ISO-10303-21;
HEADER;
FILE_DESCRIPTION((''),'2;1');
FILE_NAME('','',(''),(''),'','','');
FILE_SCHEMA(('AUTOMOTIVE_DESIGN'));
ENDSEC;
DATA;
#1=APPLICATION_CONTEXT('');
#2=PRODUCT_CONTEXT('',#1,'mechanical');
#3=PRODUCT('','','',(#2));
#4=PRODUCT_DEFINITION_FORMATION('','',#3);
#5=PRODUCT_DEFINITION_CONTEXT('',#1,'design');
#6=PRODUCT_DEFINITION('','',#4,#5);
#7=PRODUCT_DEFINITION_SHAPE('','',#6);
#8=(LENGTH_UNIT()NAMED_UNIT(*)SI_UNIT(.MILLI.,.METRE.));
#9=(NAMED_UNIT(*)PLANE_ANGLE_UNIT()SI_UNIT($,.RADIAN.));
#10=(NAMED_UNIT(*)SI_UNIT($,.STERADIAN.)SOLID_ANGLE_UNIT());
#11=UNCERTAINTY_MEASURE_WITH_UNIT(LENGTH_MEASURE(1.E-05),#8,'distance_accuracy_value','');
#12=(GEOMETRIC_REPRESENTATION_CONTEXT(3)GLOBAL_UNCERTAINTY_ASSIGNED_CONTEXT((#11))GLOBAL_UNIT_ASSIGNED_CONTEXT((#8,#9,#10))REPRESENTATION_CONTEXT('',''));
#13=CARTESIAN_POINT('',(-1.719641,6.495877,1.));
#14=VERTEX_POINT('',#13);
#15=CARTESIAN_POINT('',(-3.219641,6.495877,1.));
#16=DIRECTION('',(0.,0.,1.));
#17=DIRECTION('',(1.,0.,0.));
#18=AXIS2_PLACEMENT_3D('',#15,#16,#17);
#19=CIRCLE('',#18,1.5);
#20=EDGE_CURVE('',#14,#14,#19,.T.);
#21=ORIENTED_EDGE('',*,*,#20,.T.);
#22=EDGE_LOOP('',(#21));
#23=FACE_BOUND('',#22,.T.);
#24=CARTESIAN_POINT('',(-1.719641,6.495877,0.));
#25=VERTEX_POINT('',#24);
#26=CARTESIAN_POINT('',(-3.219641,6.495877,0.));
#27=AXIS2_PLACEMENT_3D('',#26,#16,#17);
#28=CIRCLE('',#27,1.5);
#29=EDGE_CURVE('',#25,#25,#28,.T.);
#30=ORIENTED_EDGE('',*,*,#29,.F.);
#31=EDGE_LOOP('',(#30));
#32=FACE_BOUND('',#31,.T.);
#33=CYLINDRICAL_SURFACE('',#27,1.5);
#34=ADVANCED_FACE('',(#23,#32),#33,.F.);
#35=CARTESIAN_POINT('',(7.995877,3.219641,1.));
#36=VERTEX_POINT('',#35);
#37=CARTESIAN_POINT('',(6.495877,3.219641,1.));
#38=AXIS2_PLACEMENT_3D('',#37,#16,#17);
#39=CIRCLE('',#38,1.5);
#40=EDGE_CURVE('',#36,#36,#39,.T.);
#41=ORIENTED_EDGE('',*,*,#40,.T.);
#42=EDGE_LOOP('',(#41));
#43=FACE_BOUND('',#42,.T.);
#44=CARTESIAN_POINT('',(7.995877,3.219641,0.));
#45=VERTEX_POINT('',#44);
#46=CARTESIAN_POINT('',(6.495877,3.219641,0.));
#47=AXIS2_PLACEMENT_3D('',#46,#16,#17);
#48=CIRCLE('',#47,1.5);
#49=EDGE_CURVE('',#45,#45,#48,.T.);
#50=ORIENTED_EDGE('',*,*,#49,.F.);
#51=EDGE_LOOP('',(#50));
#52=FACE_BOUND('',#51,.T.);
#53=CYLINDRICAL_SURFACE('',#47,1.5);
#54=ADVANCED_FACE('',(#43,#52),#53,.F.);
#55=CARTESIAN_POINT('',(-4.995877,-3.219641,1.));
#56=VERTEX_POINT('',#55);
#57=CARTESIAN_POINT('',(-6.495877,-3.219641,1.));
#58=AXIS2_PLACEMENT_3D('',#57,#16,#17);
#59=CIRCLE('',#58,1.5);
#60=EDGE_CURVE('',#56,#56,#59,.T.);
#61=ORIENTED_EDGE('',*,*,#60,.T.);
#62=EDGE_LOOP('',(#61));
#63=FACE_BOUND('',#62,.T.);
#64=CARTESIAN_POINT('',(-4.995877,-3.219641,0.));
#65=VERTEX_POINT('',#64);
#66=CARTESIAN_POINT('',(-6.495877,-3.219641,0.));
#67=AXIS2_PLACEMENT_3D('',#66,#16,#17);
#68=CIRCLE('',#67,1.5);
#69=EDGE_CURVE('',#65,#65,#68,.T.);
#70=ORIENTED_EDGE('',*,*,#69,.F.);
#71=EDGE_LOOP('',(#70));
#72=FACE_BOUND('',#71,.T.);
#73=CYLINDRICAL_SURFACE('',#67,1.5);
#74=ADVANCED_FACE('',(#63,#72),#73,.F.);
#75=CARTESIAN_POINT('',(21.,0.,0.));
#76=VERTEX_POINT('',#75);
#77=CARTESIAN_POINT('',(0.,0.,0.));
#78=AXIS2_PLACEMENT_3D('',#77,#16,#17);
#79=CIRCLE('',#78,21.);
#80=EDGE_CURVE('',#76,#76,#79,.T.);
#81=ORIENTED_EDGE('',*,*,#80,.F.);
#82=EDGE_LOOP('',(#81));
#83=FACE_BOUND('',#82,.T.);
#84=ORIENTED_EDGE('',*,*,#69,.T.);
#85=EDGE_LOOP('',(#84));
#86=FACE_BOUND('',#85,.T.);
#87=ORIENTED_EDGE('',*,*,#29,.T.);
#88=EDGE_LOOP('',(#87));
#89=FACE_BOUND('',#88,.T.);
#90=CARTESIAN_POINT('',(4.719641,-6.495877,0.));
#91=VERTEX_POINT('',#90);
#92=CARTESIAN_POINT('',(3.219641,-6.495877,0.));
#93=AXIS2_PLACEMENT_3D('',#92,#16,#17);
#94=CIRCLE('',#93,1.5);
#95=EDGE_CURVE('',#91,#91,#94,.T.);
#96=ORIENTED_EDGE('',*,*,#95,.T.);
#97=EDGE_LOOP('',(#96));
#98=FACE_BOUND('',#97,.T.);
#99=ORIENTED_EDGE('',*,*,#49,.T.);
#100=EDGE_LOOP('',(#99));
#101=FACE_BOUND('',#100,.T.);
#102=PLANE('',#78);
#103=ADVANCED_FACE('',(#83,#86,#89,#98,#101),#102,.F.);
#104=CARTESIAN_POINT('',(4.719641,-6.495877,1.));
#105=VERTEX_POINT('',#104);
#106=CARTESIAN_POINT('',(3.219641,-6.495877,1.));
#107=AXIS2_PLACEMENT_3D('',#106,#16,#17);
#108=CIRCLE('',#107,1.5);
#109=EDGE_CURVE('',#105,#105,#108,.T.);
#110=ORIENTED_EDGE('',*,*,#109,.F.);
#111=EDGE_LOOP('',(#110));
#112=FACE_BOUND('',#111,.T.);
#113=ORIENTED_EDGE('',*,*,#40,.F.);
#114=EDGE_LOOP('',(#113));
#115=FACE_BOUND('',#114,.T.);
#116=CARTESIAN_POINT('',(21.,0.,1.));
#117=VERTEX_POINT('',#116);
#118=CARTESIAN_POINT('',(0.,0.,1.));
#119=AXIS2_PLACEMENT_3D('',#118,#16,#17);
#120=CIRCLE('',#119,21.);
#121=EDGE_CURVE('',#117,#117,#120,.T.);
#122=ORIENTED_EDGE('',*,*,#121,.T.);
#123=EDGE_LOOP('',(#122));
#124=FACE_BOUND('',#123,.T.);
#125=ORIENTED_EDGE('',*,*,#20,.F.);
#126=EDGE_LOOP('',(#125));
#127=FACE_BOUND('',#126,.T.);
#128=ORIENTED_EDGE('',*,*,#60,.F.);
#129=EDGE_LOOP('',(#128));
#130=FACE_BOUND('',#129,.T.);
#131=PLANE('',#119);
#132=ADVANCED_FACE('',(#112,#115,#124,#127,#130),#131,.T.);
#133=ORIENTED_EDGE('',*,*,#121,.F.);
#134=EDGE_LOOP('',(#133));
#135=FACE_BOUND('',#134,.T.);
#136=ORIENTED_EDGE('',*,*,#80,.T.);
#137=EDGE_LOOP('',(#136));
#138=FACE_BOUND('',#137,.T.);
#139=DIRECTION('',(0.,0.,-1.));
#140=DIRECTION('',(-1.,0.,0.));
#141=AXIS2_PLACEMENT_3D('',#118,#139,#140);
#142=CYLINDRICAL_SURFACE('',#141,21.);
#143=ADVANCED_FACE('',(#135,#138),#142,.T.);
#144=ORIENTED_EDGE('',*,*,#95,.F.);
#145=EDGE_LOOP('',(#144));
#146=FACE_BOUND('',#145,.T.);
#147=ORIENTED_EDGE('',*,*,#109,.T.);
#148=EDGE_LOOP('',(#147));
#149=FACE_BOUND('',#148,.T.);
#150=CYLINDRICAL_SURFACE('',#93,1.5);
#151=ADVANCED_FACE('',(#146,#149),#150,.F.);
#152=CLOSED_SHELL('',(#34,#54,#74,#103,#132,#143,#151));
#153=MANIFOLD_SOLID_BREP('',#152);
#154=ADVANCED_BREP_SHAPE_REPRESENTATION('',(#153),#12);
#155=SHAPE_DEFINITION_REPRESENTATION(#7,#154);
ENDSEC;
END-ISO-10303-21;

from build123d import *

# Parameters (mm, degrees)
SKETCH1_R           = 21
BOSS_EXTRUDE1_DEPTH = 1
SKETCH2_R           = 1.5
CUT_EXTRUDE1_DEPTH  = 30.715315916


with BuildPart() as part:
    # Sketch1 → Boss-Extrude1 (new body)
    with BuildSketch(Plane.XY):
        Circle(SKETCH1_R)
    extrude(amount=BOSS_EXTRUDE1_DEPTH)

    # Sketch2 → Cut-Extrude1 (cut, through all)
    with BuildSketch(Plane.XY.offset(1)):
        with Locations((-3.219640923, 6.495876564)):
            Circle(SKETCH2_R)
        with Locations((6.495876564, 3.219640923)):
            Circle(SKETCH2_R)
        with Locations((-6.495876564, -3.219640923)):
            Circle(SKETCH2_R)
        with Locations((3.219640923, -6.495876564)):
            Circle(SKETCH2_R)
    extrude(amount=-CUT_EXTRUDE1_DEPTH, mode=Mode.SUBTRACT)


solid = part.part
